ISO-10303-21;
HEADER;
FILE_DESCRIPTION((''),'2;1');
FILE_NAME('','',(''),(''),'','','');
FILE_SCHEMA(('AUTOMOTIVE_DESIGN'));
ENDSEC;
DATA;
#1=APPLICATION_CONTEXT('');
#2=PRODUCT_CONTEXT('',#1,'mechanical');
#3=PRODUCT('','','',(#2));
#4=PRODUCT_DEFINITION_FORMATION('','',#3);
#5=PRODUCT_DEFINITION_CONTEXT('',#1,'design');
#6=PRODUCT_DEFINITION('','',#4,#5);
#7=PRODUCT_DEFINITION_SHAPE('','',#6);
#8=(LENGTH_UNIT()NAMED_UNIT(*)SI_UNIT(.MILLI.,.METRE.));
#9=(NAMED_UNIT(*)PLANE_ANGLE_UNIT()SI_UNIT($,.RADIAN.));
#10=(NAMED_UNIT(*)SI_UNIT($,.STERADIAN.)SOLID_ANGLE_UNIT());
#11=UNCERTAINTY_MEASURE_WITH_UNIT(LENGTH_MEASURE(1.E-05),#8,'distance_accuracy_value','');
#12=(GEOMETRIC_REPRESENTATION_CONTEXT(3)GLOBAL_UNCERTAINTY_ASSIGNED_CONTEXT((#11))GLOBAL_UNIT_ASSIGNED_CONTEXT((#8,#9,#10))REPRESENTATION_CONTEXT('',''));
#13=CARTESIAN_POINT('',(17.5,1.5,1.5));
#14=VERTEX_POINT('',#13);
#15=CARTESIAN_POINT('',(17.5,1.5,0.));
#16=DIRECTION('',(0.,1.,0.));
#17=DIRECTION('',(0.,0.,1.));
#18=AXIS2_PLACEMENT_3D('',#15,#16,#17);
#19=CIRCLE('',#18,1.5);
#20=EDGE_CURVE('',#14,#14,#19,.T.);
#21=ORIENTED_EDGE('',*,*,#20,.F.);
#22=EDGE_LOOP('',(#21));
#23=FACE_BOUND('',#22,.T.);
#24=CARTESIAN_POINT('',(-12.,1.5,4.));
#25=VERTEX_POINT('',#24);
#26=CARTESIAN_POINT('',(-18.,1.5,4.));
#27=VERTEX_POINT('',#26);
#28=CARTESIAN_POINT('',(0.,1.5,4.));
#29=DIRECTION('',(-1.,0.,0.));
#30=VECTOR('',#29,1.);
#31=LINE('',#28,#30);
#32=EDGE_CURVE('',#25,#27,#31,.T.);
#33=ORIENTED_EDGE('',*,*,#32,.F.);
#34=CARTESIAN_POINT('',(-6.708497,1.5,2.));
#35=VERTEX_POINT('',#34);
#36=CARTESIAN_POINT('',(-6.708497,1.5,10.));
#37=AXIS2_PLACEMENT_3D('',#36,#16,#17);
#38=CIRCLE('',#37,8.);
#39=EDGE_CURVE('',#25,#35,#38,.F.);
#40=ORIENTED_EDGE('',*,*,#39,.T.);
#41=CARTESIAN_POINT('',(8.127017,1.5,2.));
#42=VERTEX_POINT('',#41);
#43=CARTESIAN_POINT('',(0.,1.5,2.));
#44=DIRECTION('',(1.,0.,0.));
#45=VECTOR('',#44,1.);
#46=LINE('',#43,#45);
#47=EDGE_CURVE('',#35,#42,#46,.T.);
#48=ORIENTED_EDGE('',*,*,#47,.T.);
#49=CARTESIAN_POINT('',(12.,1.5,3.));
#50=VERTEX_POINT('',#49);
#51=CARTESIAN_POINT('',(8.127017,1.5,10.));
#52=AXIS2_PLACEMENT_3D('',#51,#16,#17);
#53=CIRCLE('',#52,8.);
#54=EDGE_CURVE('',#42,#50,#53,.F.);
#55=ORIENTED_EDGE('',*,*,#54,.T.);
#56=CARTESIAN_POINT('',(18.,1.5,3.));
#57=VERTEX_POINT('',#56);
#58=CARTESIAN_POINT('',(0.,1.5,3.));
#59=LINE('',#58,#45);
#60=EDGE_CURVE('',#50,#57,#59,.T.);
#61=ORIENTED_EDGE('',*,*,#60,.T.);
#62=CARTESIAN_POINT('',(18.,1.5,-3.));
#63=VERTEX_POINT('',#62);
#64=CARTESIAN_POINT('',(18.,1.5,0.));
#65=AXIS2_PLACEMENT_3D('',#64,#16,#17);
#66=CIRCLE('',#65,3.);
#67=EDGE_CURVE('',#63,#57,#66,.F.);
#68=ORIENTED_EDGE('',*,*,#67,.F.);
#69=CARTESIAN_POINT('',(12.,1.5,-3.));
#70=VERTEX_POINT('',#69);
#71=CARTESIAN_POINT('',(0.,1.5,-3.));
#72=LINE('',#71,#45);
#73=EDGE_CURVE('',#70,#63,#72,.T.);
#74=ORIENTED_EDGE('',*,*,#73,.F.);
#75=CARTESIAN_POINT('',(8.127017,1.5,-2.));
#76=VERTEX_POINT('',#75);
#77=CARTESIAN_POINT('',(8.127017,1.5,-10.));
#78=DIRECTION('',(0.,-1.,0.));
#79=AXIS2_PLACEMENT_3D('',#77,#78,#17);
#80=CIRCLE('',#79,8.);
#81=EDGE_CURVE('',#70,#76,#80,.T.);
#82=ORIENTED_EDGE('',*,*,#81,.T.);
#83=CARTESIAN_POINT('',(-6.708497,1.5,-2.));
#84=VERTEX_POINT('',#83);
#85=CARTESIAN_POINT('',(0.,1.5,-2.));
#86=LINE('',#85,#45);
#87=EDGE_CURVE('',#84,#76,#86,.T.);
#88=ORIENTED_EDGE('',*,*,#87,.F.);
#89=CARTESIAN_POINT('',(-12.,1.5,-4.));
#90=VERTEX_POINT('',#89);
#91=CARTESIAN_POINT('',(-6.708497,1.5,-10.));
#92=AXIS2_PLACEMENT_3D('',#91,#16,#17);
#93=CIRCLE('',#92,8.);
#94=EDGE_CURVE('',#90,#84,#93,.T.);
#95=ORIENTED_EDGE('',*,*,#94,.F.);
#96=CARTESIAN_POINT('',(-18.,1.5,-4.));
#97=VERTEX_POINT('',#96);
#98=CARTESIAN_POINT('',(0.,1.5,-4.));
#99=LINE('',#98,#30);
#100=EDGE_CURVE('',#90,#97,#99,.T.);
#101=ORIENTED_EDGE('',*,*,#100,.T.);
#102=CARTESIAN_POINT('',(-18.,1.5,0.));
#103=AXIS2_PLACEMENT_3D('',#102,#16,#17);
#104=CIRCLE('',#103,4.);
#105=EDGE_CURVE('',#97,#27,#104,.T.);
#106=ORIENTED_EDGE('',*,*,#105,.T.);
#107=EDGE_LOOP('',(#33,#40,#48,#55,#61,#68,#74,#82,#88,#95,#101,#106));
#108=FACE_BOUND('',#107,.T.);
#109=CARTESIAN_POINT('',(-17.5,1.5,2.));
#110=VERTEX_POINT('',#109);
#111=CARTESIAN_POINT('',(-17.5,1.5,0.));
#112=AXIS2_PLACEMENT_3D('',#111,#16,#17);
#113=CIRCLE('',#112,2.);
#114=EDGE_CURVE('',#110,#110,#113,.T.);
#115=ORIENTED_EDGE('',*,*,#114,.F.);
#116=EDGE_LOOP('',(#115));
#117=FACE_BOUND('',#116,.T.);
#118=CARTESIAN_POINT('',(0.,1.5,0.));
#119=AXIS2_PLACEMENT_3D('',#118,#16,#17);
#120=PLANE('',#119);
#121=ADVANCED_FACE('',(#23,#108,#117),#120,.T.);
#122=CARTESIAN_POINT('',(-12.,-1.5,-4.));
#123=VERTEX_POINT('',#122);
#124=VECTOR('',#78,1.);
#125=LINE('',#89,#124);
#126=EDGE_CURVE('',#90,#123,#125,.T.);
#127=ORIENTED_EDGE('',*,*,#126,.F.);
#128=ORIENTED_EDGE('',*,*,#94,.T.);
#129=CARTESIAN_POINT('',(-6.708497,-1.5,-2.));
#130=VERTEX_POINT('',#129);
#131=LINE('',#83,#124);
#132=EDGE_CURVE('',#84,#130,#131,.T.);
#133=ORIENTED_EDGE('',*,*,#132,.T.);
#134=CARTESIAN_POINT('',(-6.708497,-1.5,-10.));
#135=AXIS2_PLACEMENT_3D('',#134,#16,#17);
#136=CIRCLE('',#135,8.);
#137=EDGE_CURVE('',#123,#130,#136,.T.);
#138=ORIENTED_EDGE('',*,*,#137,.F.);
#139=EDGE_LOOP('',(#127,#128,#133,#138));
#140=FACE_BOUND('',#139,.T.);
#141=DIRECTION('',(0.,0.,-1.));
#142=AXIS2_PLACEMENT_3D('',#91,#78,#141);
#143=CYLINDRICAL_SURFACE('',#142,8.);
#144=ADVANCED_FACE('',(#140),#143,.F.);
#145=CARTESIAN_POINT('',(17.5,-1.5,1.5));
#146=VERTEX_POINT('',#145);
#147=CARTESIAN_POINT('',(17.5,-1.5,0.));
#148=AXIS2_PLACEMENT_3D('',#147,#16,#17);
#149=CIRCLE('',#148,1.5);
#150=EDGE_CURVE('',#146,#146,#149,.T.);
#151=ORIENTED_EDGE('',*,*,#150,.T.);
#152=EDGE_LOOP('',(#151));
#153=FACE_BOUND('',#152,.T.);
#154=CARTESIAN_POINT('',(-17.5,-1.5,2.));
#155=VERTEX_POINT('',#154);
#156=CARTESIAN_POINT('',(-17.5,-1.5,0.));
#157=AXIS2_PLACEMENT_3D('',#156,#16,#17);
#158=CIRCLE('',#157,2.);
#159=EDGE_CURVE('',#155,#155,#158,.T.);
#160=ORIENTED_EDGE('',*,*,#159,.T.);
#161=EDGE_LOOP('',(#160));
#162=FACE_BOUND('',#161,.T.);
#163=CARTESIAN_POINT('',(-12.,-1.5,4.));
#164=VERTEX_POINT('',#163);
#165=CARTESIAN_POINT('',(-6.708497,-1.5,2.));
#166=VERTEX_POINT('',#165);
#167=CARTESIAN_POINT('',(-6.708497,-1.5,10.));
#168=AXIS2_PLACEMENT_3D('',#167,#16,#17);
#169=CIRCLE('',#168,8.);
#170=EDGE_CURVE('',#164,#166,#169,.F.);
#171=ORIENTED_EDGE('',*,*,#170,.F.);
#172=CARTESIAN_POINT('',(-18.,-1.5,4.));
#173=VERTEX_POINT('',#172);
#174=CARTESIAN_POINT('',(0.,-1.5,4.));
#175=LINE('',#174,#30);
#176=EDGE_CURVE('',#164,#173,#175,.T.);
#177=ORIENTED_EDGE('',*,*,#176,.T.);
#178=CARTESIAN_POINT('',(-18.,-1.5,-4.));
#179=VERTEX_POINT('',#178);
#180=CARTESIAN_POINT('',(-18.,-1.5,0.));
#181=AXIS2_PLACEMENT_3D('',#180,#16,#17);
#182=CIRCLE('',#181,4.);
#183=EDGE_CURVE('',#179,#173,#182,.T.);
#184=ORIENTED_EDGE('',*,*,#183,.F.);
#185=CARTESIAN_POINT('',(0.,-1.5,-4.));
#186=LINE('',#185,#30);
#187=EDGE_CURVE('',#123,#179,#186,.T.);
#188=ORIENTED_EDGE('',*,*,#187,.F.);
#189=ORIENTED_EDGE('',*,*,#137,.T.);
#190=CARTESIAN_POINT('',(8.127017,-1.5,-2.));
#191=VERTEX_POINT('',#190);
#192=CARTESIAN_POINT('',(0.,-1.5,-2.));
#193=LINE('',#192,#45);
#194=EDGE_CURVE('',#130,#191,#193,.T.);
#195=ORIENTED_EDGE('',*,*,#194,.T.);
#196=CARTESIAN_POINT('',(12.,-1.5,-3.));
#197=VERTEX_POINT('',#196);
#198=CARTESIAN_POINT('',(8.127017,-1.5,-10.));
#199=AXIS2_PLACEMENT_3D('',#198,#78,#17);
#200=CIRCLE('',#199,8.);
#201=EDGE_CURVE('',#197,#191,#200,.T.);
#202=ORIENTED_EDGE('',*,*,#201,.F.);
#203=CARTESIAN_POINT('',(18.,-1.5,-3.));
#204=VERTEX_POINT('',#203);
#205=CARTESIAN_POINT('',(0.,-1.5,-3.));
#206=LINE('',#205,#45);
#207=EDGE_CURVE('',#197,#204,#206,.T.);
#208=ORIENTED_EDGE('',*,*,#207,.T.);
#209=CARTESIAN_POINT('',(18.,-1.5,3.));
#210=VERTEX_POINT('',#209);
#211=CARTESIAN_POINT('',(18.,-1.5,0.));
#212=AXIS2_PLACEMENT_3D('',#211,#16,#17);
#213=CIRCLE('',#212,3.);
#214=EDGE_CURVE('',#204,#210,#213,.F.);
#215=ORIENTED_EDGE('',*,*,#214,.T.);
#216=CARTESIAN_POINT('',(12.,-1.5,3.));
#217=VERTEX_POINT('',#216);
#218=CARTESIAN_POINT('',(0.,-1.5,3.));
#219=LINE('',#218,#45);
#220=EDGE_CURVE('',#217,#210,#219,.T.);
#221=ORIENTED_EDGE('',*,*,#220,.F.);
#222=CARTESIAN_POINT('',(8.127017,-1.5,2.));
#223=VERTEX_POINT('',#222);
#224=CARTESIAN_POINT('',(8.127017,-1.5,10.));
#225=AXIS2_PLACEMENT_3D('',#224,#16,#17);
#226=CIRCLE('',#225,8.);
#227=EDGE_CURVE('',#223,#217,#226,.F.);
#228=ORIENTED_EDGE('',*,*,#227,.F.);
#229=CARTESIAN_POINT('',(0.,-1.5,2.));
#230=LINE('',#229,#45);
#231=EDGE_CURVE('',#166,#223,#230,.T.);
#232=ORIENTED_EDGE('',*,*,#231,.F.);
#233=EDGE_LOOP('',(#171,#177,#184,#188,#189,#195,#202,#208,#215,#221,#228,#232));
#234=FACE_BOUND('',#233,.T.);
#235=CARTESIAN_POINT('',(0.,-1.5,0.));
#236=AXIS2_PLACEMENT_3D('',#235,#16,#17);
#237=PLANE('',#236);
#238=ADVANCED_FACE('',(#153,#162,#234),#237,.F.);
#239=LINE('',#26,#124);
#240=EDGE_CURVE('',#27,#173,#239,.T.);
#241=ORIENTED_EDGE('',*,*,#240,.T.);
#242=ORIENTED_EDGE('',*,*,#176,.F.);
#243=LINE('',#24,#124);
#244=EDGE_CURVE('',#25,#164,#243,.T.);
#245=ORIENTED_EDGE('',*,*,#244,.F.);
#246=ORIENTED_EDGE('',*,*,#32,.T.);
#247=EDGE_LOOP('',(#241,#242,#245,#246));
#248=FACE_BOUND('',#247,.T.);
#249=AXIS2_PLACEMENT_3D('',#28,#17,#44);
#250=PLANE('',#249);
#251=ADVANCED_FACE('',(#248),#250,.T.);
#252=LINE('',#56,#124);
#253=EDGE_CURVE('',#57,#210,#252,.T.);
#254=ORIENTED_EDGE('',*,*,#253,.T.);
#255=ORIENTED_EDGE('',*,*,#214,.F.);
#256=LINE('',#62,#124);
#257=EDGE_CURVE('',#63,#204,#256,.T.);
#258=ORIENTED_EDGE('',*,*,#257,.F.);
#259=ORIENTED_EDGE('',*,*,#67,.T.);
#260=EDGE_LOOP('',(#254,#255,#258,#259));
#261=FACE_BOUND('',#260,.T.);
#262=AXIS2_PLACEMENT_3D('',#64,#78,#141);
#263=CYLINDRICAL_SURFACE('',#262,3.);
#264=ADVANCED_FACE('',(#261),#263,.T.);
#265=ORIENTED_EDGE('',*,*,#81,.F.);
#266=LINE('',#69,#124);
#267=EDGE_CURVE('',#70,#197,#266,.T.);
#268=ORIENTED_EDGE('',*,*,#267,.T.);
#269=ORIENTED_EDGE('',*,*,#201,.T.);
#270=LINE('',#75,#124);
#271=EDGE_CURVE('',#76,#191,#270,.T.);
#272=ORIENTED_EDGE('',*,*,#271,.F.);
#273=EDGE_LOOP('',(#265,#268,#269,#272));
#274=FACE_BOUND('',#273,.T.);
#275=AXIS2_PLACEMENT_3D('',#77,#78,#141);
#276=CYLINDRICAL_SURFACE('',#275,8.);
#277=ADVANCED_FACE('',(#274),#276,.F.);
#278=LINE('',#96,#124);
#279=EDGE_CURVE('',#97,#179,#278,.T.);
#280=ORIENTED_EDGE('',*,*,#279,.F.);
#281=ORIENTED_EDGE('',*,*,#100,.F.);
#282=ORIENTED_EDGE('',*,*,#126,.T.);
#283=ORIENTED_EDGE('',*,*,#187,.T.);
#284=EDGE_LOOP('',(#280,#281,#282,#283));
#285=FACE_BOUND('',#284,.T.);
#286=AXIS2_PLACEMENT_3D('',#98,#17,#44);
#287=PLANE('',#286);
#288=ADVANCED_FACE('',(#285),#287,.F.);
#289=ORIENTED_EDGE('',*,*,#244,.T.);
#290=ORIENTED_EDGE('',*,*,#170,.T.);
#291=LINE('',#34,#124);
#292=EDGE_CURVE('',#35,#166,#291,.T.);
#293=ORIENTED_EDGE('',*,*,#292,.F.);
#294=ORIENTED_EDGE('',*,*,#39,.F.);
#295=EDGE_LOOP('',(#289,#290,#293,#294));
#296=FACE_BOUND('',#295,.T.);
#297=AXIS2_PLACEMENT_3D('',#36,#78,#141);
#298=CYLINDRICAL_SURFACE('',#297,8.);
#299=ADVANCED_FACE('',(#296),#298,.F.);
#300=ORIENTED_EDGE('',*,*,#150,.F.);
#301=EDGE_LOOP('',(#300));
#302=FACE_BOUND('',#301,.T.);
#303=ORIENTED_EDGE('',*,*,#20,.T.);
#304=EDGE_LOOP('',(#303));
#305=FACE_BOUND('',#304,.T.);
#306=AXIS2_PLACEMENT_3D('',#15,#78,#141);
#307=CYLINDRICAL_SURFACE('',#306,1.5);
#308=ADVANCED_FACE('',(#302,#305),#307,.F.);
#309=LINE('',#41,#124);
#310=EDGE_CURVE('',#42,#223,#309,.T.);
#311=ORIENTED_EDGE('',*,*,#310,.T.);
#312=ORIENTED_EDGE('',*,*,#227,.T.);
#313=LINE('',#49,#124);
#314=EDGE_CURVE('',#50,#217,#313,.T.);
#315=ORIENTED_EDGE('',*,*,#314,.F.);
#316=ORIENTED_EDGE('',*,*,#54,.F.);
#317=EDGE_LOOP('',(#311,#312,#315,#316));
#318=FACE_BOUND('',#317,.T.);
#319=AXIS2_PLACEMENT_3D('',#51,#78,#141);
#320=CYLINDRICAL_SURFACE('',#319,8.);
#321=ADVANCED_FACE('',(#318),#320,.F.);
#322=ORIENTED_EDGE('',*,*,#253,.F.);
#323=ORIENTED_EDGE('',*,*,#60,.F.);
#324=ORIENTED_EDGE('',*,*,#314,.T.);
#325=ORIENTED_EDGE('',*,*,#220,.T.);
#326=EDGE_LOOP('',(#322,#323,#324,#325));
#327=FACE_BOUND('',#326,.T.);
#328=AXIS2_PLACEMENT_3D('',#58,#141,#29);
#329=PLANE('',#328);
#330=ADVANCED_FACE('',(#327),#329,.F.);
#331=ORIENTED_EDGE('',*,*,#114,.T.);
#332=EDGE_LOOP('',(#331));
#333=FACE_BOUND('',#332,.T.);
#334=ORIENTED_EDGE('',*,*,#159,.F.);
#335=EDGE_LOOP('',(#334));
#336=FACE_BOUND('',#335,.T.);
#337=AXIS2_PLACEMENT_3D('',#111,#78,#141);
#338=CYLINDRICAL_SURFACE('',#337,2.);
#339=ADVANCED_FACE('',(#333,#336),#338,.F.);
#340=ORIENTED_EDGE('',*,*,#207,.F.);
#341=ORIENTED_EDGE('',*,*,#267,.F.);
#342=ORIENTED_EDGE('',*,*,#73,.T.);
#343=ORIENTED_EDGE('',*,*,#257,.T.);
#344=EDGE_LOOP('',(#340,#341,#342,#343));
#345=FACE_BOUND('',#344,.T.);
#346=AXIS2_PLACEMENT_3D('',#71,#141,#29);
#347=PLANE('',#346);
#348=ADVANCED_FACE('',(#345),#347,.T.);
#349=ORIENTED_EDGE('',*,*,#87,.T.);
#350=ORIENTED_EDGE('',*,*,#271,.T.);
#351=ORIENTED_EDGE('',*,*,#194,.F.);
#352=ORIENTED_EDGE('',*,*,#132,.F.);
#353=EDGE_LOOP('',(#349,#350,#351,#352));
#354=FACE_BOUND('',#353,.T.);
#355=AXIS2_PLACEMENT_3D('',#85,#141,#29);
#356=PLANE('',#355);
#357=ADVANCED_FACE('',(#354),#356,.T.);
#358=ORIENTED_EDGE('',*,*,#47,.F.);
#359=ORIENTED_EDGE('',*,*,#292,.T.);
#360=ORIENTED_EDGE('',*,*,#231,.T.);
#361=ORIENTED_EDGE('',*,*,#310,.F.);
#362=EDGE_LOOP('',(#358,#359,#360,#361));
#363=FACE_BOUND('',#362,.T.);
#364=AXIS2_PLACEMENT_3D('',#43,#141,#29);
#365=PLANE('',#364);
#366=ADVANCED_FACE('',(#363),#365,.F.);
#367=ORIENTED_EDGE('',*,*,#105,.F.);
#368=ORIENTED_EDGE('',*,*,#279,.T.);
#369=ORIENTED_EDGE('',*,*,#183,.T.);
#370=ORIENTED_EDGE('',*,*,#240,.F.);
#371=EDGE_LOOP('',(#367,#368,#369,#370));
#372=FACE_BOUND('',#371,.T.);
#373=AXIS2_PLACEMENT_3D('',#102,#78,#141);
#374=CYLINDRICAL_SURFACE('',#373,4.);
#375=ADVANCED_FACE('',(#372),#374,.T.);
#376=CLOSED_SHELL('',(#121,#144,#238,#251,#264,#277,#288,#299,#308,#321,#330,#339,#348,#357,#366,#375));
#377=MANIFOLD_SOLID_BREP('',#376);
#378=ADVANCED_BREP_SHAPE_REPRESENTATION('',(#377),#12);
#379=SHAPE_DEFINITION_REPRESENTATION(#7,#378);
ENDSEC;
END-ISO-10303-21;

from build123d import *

# Parameters (mm, degrees)
SKETCH1_R           = 2
SKETCH1_R_2         = 1.5
BOSS_EXTRUDE1_DEPTH = 1.5
BOSS_EXTRUDE2_DEPTH = 1.5


with BuildPart() as part:
    # Sketch1 → Boss-Extrude1 (new, symmetric)
    # profile 1 of 4: a face of its own
    with BuildSketch(Plane(origin=(0, 0, 0), x_dir=(1, 0, 0), z_dir=(0, 1, 0))):
        with BuildLine():
            Line((-12, 4), (-18, 4))
            ThreePointArc((-18, 4), (-22, 0), (-18, -4))
            Line((-18, -4), (-12, -4))
            Line((-12, -4), (-12, -2))
            Line((-12, -2), (12, -2))
            Line((12, -2), (12, -3))
            Line((12, -3), (18, -3))
            ThreePointArc((18, -3), (21, 0), (18, 3))
            Line((18, 3), (12, 3))
            Line((12, 3), (12, 2))
            Line((12, 2), (-12, 2))
            Line((-12, 2), (-12, 4))
        make_face()
        with Locations(Location((-17.5, 0, 0), (0, 0, 270))):
            Circle(SKETCH1_R, mode=Mode.SUBTRACT)
        with Locations(Location((17.5, 0, 0), (0, 0, 270))):
            Circle(SKETCH1_R_2, mode=Mode.SUBTRACT)
    # profile 2 of 4: a face of its own
    with BuildSketch(Plane(origin=(0, 0, 0), x_dir=(1, 0, 0), z_dir=(0, 1, 0))):
        with BuildLine():
            Line((12, -2), (8.127016654, -2))
            ThreePointArc((8.127016654, -2), (10.127016654, -2.254033308), (12, -3))
            Line((12, -3), (12, -2))
        make_face()
    # profile 3 of 4: a face of its own
    with BuildSketch(Plane(origin=(0, 0, 0), x_dir=(1, 0, 0), z_dir=(0, 1, 0))):
        with BuildLine():
            Line((-12, -2), (-12, -4))
            ThreePointArc((-12, -4), (-9.536924503, -2.516685226), (-6.708497378, -2))
            Line((-6.708497378, -2), (-12, -2))
        make_face()
    # profile 4 of 4: a face of its own
    with BuildSketch(Plane(origin=(0, 0, 0), x_dir=(1, 0, 0), z_dir=(0, 1, 0))):
        with BuildLine():
            Line((-12, 4), (-12, 2))
            Line((-12, 2), (-6.708497378, 2))
            ThreePointArc((-6.708497378, 2), (-9.536924503, 2.516685226), (-12, 4))
        make_face()
    extrude(amount=BOSS_EXTRUDE1_DEPTH, both=True)

    # Sketch2 → Boss-Extrude2 (add, symmetric)
    with BuildSketch(Plane(origin=(0, 0, 0), x_dir=(1, 0, 0), z_dir=(0, 1, 0))):
        with BuildLine():
            Line((8.127016654, 2), (12, 2))
            Line((12, 2), (12, 3))
            ThreePointArc((12, 3), (10.127016654, 2.254033308), (8.127016654, 2))
        make_face()
    extrude(amount=BOSS_EXTRUDE2_DEPTH, both=True)


solid = part.part
